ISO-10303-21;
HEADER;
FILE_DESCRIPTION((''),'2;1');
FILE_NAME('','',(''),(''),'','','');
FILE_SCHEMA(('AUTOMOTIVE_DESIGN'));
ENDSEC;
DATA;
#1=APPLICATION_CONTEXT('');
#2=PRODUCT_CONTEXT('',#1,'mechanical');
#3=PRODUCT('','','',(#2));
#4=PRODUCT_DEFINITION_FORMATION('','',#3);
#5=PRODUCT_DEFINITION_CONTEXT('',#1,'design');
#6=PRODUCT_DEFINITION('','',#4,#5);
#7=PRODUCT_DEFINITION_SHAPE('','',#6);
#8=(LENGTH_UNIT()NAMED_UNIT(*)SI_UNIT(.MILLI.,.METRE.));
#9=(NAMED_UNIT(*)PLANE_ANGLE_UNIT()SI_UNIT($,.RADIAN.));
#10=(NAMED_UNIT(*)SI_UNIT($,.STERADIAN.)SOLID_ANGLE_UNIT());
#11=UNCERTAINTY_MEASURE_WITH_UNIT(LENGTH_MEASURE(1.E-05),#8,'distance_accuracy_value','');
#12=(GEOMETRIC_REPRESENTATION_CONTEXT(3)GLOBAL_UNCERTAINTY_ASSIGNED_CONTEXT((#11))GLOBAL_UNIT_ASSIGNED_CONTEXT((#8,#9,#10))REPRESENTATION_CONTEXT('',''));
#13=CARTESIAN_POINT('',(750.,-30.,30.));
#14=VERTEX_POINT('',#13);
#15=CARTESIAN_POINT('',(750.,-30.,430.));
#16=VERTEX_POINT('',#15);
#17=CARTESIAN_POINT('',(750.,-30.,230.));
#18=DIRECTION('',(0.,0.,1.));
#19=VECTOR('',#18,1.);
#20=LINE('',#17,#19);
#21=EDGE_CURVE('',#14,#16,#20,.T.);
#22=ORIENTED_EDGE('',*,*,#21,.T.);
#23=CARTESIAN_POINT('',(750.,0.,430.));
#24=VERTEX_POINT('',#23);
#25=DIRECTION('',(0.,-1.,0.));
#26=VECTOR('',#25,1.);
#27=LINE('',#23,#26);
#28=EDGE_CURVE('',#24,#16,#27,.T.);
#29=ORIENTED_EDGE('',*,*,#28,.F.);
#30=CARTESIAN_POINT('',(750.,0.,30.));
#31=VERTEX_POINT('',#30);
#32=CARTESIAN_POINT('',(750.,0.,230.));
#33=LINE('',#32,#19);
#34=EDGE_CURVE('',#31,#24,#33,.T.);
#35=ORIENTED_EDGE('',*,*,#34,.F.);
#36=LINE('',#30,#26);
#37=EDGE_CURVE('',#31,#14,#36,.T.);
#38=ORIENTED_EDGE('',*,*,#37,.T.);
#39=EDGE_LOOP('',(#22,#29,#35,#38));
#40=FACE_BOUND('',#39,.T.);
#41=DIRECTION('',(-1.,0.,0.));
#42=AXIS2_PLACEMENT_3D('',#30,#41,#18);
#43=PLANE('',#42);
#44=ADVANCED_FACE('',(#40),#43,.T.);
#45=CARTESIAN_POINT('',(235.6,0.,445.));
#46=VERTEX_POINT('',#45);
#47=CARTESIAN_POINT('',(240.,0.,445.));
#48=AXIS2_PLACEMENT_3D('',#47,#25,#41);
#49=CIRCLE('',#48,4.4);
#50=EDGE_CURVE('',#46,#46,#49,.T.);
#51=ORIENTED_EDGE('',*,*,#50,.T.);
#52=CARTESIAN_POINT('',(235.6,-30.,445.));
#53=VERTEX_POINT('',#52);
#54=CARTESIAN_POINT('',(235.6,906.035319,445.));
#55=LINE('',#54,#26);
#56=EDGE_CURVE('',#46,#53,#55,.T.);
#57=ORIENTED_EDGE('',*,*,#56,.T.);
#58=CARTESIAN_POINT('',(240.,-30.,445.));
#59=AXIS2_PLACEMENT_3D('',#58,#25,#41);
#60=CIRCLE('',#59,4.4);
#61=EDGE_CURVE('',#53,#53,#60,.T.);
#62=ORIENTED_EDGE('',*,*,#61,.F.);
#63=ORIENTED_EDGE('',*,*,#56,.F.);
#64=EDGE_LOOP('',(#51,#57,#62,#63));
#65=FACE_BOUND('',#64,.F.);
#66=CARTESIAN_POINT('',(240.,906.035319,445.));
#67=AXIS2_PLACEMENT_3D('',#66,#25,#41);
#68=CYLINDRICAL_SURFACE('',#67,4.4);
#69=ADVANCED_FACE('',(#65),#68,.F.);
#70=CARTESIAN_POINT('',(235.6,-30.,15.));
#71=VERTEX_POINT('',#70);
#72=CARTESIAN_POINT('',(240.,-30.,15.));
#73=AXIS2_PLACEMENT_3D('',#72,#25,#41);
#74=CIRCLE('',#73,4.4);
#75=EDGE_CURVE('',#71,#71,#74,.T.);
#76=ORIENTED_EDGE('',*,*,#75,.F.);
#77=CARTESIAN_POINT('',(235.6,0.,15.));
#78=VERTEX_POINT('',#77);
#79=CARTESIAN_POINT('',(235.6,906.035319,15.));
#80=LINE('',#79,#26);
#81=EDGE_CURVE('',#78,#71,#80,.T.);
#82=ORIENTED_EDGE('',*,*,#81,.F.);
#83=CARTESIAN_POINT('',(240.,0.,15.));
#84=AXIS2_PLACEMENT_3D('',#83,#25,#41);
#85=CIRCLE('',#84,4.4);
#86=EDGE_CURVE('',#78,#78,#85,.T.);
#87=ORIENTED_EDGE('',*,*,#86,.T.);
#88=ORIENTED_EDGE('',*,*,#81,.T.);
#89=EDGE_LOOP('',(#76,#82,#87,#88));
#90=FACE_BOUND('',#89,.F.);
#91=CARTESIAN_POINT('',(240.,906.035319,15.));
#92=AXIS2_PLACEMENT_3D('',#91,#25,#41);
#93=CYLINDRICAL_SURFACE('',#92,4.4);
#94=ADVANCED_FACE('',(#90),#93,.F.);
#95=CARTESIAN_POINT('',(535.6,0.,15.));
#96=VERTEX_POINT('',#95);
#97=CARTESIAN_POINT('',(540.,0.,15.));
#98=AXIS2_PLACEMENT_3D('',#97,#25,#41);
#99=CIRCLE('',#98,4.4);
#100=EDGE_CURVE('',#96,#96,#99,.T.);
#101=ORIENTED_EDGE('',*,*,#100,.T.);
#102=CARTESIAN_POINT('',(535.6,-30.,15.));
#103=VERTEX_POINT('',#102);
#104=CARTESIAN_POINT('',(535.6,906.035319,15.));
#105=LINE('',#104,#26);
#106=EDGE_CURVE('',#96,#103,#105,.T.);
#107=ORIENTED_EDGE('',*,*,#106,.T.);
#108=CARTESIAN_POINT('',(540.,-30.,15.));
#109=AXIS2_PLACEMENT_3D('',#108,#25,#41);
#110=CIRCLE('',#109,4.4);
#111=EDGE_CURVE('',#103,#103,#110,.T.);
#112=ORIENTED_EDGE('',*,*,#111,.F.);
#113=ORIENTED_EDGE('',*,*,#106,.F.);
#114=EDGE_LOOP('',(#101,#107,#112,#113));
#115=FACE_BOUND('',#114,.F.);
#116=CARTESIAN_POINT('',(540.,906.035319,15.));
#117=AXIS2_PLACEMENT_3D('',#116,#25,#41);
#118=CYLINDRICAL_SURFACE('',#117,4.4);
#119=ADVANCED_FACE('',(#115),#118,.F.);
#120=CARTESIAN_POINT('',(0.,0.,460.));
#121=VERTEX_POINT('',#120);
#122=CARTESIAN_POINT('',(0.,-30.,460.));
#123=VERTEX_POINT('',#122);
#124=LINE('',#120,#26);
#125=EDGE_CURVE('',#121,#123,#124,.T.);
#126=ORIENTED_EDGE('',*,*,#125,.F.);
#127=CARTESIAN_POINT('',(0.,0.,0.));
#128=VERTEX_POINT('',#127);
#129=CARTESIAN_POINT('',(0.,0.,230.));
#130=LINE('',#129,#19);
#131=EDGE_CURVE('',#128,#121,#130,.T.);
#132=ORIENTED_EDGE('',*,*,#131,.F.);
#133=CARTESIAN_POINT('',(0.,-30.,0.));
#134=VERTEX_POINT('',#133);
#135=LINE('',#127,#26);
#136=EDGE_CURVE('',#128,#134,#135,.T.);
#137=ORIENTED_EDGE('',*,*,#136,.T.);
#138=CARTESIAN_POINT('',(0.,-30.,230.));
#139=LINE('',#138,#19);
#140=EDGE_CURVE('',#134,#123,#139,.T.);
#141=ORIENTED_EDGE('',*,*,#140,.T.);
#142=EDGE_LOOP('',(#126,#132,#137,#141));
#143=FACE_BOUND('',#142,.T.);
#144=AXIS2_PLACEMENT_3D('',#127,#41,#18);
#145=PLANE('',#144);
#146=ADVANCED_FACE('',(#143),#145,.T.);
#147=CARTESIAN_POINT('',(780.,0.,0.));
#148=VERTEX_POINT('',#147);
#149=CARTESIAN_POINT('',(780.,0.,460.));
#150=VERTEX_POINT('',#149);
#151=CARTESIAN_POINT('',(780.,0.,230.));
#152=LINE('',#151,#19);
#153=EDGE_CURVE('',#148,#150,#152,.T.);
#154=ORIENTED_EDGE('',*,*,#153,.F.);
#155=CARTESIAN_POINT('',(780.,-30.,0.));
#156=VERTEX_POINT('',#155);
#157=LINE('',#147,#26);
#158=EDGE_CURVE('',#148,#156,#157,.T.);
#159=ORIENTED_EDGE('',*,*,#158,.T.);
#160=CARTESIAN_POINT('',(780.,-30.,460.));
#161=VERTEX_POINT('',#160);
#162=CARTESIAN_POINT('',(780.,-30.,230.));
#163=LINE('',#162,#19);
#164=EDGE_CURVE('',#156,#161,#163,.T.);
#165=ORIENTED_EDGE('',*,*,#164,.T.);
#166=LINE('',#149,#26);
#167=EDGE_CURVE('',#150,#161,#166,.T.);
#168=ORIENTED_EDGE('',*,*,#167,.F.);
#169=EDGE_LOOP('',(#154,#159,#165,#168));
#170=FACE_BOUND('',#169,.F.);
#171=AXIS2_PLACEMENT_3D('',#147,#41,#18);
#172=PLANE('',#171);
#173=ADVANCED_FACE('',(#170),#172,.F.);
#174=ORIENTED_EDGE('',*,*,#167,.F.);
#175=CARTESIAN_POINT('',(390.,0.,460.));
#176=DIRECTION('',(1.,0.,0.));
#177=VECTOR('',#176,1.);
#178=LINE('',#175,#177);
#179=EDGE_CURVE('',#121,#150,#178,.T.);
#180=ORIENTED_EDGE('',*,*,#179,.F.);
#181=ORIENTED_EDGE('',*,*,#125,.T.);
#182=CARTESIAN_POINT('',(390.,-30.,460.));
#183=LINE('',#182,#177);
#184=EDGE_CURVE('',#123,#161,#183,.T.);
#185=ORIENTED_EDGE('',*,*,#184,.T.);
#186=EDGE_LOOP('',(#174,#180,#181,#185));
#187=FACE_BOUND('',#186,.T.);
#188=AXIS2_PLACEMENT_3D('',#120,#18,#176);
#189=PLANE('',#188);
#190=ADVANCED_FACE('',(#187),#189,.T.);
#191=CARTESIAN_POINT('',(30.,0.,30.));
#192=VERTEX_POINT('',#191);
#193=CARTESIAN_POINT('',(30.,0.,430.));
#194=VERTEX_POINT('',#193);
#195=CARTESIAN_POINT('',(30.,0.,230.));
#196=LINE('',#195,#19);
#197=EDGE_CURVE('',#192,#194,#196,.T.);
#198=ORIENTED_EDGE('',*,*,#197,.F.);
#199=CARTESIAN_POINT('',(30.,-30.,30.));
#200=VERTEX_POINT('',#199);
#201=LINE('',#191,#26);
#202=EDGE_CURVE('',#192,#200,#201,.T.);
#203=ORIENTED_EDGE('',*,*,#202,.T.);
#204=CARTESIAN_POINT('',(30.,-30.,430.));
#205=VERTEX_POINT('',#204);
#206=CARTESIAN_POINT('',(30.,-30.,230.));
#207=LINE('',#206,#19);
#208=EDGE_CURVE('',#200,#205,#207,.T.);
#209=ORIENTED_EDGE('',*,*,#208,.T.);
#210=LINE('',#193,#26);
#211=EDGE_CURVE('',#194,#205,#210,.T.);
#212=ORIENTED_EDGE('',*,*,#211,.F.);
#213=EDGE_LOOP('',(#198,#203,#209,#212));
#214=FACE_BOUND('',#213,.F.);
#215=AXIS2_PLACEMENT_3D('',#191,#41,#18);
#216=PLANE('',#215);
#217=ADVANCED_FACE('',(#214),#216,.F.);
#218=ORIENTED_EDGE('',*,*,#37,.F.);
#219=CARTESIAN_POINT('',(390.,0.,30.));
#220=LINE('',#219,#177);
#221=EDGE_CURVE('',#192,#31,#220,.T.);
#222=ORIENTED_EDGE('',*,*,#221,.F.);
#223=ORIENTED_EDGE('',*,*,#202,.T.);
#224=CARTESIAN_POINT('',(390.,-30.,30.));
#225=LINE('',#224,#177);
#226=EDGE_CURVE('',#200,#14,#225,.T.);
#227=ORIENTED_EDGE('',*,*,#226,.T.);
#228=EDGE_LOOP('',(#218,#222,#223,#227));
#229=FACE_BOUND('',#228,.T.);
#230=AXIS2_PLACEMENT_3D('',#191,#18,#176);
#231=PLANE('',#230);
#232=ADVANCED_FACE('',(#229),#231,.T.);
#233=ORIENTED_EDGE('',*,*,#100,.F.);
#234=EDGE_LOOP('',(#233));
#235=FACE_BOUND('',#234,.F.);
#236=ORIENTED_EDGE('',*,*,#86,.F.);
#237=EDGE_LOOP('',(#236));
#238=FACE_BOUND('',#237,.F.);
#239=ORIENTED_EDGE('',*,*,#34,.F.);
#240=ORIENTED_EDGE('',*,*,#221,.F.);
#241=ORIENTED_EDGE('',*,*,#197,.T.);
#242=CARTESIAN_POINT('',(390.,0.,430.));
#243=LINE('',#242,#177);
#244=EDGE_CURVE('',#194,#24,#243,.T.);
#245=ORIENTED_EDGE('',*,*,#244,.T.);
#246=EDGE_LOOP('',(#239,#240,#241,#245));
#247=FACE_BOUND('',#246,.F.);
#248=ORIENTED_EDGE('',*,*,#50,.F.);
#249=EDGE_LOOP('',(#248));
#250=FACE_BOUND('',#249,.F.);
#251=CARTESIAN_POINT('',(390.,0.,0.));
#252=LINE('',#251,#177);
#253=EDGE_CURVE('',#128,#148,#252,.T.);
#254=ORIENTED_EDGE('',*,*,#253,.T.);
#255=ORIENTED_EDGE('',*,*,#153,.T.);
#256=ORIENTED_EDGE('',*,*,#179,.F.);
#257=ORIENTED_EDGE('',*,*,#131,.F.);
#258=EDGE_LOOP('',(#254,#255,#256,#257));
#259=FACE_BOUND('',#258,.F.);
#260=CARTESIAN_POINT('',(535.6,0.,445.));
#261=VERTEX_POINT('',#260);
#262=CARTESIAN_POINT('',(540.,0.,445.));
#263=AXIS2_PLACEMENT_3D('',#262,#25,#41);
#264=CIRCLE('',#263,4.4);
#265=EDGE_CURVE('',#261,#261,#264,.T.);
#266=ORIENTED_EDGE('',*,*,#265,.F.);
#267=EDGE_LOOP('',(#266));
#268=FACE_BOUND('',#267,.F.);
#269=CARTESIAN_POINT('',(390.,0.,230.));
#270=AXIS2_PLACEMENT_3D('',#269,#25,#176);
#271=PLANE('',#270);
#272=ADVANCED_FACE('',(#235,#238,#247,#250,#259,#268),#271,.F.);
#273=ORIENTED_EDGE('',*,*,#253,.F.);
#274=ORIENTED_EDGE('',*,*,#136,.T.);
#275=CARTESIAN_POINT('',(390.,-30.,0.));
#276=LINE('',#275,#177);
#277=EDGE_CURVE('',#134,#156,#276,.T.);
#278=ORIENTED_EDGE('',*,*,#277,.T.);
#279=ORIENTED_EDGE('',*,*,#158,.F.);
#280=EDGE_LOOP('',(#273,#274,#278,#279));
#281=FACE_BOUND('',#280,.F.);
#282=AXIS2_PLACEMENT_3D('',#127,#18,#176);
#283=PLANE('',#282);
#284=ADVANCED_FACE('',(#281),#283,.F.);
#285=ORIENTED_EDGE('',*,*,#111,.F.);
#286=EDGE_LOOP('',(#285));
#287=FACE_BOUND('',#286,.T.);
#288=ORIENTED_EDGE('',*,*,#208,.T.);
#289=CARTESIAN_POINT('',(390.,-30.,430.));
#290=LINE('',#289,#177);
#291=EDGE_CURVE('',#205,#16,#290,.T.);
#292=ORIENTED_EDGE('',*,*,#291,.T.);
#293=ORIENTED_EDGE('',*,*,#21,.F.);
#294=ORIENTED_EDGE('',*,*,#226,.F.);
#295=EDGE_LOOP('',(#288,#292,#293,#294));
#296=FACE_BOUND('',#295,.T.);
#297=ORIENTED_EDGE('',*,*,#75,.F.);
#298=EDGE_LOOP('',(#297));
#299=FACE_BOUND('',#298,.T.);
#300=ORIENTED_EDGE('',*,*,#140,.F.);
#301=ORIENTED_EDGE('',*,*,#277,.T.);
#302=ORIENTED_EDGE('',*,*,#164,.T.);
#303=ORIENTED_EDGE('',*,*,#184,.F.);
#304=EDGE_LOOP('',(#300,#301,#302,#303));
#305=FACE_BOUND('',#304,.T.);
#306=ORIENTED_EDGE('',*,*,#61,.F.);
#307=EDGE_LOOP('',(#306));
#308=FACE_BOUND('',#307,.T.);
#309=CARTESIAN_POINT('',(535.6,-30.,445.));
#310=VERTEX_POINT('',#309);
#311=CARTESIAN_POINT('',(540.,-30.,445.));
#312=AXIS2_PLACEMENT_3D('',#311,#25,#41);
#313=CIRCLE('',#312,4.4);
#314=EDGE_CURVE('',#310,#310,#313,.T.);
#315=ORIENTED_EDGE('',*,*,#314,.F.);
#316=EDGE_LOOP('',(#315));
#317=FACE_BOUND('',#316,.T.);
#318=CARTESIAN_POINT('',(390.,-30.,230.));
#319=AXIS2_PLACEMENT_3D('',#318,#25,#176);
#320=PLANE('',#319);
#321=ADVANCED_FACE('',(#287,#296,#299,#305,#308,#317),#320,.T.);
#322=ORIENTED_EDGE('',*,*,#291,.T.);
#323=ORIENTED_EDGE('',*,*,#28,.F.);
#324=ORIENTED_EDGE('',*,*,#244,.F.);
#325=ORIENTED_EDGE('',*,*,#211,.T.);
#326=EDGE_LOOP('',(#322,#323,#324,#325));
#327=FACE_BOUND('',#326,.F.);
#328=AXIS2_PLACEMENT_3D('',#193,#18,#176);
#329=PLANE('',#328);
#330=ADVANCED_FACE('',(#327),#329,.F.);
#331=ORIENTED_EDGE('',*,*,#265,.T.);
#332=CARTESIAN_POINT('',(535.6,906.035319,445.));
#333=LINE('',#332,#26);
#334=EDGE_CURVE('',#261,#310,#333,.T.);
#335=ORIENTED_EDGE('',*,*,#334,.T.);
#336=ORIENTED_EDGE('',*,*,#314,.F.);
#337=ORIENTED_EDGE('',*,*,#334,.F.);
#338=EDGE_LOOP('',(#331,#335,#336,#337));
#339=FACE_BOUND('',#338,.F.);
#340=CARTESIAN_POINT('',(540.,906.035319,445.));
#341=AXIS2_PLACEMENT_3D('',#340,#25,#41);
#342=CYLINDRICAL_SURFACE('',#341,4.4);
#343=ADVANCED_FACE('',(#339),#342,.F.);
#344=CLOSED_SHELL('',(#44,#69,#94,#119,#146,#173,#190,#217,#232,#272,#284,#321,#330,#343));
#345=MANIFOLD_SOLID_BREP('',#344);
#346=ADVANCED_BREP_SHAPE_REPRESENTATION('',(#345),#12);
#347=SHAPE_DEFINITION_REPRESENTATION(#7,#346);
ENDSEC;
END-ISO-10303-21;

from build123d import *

# Parameters (mm, degrees)
F0_W     = 780
F0_H     = 460
F0_W_2   = 720
F0_H_2   = 400
F1_DEPTH = 30
F2_D     = 8.8


with BuildPart() as f1:
    # F0 (on Front) → F1 (new body)
    with BuildSketch(Plane.XZ):
        with Locations((390, 230)):
            Rectangle(F0_W, F0_H)
        with Locations((390, 230)):
            Rectangle(F0_W_2, F0_H_2, mode=Mode.SUBTRACT)
    extrude(amount=F1_DEPTH)

    # F2 (through all)
    with Locations(Plane(origin=(0, 0, 0), x_dir=(1, 0, 0), z_dir=(0, 1, 0))):
        with Locations((240, -445), (540, -445), (540, -15), (240, -15)):
            Hole(F2_D / 2)


solid = f1.part
